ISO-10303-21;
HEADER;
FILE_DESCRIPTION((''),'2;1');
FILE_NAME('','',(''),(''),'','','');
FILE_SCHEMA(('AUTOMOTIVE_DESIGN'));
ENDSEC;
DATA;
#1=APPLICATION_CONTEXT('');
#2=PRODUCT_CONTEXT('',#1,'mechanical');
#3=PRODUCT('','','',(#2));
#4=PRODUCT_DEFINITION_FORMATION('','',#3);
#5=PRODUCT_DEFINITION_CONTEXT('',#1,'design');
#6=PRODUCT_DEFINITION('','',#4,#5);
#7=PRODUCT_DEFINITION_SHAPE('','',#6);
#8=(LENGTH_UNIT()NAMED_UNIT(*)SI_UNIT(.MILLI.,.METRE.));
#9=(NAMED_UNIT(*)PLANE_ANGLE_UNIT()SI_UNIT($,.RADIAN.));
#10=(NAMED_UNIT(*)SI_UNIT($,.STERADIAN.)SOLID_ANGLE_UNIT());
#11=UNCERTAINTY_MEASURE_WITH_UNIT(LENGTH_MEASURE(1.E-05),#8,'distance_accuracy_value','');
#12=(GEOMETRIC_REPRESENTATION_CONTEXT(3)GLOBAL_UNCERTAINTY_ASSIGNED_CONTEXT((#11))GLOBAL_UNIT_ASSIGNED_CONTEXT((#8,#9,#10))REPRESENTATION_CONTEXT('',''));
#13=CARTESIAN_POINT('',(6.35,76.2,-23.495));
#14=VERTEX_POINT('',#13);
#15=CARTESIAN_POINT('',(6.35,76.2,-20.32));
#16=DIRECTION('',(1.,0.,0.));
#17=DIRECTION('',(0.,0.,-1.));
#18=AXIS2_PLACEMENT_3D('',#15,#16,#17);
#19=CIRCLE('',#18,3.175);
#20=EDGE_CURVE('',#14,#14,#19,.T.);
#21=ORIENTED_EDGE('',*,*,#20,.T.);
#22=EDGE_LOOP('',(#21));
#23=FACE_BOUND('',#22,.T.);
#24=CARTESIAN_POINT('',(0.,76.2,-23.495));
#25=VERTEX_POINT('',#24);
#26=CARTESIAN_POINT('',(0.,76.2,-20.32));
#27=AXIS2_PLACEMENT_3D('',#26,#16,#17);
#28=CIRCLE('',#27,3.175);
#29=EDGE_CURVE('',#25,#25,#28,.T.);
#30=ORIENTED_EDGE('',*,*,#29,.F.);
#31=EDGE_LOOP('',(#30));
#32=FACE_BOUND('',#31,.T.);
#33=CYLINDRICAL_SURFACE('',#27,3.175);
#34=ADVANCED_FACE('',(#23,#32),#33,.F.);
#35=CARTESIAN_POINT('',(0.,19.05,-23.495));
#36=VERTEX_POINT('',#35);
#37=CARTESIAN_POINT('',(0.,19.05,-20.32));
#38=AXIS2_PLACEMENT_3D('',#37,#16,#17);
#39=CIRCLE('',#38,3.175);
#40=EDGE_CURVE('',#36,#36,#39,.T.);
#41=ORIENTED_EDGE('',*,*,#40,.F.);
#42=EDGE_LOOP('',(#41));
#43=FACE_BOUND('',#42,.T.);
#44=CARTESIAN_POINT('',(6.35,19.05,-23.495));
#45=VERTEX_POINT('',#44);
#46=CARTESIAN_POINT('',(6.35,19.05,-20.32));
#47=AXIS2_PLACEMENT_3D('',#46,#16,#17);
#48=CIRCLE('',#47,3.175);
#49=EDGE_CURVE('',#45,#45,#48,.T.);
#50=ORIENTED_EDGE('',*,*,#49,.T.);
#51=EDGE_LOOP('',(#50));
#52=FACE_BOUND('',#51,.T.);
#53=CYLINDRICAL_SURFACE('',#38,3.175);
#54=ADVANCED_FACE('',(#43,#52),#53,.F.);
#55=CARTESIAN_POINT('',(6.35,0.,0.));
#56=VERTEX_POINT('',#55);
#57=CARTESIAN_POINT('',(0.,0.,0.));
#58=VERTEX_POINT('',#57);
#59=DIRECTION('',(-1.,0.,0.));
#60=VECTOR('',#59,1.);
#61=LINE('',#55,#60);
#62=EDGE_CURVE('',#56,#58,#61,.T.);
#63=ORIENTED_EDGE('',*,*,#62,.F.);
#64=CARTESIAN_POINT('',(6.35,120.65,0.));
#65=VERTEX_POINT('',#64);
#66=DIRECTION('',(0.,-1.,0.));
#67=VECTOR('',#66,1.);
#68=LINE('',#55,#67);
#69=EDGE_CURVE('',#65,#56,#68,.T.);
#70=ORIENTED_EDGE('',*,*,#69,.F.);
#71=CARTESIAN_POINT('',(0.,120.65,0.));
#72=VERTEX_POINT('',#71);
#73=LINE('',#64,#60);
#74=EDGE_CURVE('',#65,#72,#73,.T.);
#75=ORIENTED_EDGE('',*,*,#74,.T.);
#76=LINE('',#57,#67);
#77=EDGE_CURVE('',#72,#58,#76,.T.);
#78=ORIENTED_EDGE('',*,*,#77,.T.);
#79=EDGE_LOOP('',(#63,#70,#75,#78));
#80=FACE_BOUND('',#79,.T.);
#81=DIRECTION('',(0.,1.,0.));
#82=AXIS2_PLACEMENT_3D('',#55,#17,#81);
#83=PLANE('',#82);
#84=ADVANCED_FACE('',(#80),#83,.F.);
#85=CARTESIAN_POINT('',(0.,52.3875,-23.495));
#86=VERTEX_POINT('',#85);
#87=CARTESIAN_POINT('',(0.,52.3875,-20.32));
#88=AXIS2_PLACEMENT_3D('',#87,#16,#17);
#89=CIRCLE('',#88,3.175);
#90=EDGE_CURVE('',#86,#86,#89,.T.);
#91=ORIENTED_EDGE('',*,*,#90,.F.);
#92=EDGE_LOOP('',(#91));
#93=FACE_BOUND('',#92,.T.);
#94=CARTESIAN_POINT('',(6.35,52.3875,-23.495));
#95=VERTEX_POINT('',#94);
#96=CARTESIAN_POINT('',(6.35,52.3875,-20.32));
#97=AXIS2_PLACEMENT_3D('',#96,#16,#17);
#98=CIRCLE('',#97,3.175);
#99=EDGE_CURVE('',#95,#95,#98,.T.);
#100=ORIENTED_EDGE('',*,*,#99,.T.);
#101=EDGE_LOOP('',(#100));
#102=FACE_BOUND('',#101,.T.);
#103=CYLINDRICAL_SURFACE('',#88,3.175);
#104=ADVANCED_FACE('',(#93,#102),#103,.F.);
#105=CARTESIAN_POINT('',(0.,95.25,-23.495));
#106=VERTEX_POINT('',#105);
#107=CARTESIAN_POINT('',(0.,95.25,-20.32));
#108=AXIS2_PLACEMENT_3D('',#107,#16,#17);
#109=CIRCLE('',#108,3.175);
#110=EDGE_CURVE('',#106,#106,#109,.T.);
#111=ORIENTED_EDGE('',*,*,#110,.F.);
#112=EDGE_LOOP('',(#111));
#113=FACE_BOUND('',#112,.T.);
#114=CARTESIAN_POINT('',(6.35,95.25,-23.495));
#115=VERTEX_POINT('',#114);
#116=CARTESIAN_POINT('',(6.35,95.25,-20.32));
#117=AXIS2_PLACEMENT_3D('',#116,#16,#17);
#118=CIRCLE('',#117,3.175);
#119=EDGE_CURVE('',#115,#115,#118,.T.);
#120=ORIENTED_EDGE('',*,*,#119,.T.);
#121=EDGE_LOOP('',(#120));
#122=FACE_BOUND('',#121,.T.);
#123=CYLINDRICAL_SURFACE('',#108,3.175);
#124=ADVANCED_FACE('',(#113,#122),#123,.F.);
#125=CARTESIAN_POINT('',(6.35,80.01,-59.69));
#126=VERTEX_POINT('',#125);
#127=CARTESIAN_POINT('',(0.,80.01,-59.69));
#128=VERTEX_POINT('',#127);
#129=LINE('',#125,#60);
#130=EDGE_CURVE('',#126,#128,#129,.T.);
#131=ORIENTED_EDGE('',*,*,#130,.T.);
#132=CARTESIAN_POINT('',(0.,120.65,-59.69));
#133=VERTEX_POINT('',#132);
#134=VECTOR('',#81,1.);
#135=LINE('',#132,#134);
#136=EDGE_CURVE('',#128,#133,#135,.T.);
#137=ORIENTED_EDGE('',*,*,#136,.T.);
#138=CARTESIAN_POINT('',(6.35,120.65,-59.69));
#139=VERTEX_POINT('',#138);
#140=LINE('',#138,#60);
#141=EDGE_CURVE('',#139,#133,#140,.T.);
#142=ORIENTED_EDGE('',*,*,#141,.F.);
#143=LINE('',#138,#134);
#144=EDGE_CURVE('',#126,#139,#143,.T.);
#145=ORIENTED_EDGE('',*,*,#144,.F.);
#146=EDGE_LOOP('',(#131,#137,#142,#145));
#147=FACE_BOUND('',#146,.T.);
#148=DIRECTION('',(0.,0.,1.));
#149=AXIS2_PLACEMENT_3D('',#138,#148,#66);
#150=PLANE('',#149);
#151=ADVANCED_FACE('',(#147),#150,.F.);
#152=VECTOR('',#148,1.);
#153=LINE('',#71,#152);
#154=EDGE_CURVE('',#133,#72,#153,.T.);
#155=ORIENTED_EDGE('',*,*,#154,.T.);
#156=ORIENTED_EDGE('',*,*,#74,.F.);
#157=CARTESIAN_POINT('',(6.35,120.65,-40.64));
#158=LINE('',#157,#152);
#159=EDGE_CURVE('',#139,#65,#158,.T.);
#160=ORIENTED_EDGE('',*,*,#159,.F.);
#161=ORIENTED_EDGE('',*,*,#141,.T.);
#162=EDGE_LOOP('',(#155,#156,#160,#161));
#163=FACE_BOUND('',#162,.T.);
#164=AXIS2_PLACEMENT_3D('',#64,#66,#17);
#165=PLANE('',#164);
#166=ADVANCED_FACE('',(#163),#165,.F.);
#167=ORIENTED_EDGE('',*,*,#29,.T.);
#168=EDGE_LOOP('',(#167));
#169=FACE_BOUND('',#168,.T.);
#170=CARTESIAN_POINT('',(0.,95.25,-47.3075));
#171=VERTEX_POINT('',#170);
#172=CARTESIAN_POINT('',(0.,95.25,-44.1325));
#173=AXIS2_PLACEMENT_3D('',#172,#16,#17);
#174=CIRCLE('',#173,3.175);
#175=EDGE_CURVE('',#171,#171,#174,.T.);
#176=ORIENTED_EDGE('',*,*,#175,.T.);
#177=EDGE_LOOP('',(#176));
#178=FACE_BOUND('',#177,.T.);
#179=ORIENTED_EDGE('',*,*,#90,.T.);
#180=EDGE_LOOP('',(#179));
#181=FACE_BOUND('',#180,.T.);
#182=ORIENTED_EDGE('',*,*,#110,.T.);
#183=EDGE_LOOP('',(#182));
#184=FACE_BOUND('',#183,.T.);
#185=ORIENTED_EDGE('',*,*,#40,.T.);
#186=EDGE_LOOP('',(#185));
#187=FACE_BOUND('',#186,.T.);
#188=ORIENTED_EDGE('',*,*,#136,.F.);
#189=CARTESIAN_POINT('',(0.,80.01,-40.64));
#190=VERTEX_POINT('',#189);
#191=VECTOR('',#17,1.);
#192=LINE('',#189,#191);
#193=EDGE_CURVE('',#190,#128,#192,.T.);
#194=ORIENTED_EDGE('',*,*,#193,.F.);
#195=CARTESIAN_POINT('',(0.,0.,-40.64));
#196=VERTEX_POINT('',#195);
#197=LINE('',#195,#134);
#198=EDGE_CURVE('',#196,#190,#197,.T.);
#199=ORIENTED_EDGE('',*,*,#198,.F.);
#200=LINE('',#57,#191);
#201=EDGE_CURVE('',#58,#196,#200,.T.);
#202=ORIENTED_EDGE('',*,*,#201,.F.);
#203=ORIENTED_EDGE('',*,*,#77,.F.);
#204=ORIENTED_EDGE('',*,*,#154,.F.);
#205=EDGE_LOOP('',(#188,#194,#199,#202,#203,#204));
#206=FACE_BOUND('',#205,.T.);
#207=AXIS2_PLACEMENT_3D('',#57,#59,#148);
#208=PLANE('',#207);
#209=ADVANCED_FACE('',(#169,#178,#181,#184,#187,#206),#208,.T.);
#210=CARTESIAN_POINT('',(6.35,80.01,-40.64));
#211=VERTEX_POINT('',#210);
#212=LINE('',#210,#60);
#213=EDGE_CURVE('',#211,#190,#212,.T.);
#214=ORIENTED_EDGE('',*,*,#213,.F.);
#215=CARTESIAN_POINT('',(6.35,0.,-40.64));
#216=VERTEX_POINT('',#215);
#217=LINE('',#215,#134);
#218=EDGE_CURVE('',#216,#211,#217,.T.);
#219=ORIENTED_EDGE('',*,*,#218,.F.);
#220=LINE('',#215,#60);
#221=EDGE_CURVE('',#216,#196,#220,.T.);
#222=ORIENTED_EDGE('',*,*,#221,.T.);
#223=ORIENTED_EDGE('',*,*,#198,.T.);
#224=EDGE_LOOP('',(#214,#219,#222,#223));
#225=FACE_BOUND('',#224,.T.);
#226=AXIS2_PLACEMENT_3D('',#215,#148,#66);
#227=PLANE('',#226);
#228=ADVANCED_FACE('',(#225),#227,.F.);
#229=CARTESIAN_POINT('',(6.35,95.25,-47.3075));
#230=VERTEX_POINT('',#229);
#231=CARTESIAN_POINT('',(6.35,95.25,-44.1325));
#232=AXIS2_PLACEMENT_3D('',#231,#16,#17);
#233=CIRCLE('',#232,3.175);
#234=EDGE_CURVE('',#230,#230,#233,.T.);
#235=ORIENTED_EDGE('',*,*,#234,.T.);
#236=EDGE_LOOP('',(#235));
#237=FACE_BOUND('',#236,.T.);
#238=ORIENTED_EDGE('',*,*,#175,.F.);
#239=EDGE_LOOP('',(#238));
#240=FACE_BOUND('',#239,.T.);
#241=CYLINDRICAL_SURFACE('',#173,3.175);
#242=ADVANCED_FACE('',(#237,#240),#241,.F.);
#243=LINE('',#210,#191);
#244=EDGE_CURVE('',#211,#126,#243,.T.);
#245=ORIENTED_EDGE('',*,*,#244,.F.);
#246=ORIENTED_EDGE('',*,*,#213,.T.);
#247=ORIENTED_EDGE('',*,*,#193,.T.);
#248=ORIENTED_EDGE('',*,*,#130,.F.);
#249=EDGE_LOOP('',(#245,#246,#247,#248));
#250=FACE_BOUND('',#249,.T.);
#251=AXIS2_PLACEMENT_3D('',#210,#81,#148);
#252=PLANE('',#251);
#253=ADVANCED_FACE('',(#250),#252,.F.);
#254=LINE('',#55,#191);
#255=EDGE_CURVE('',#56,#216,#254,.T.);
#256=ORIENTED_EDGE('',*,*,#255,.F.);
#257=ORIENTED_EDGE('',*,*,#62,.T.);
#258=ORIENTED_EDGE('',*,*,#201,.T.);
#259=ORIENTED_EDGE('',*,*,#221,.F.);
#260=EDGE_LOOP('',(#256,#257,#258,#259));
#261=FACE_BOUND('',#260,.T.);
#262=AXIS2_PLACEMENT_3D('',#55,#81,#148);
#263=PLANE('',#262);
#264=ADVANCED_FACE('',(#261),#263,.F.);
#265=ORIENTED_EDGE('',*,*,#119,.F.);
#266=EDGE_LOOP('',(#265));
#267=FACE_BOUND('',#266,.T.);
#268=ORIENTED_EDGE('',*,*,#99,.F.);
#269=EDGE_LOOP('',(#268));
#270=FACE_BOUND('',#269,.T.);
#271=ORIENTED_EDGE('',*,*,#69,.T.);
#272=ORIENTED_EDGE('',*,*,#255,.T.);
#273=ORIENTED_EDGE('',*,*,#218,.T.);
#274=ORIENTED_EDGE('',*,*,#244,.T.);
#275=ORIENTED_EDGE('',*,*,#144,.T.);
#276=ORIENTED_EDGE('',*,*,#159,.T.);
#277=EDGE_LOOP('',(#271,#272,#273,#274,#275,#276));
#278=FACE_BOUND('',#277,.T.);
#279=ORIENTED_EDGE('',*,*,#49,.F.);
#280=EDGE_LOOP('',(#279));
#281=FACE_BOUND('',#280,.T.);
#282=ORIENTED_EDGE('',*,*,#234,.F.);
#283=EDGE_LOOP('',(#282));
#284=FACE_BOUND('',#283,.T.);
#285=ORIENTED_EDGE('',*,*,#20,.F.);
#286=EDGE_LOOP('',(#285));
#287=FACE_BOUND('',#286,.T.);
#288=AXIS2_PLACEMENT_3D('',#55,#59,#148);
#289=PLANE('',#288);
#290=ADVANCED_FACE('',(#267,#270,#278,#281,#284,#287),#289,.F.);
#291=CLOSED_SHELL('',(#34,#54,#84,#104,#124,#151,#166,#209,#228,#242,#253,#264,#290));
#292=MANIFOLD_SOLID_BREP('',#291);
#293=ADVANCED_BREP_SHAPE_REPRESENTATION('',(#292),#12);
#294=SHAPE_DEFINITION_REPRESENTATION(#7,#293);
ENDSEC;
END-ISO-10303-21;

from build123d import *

# Parameters (mm, degrees)
BOSS_EXTRUDE1_DEPTH = 6.35
SKETCH3_R           = 3.175
CUT_EXTRUDE1_DEPTH  = 6.35


with BuildPart() as part:
    # Sketch1 → Boss-Extrude1 (new body)
    with BuildSketch(Plane(origin=(0, 0, 0), x_dir=(0, 0, -1), z_dir=(1, 0, 0))):
        Polygon((0, 0), (40.64, 0), (40.64, 80.01), (59.69, 80.01), (59.69, 120.65), (40.64, 120.65), (0, 120.65), align=None)
    extrude(amount=BOSS_EXTRUDE1_DEPTH)

    # Sketch3 → Cut-Extrude1 (cut)
    with BuildSketch(Plane(origin=(6.35, 0, 0), x_dir=(0, 0, -1), z_dir=(1, 0, 0))):
        with Locations((20.32, 19.05)):
            Circle(SKETCH3_R)
        with Locations((20.32, 52.3875)):
            Circle(SKETCH3_R)
        with Locations((20.32, 76.2)):
            Circle(SKETCH3_R)
        with Locations((20.32, 95.25)):
            Circle(SKETCH3_R)
        with Locations((44.1325, 95.25)):
            Circle(SKETCH3_R)
    extrude(amount=-CUT_EXTRUDE1_DEPTH, mode=Mode.SUBTRACT)


solid = part.part
